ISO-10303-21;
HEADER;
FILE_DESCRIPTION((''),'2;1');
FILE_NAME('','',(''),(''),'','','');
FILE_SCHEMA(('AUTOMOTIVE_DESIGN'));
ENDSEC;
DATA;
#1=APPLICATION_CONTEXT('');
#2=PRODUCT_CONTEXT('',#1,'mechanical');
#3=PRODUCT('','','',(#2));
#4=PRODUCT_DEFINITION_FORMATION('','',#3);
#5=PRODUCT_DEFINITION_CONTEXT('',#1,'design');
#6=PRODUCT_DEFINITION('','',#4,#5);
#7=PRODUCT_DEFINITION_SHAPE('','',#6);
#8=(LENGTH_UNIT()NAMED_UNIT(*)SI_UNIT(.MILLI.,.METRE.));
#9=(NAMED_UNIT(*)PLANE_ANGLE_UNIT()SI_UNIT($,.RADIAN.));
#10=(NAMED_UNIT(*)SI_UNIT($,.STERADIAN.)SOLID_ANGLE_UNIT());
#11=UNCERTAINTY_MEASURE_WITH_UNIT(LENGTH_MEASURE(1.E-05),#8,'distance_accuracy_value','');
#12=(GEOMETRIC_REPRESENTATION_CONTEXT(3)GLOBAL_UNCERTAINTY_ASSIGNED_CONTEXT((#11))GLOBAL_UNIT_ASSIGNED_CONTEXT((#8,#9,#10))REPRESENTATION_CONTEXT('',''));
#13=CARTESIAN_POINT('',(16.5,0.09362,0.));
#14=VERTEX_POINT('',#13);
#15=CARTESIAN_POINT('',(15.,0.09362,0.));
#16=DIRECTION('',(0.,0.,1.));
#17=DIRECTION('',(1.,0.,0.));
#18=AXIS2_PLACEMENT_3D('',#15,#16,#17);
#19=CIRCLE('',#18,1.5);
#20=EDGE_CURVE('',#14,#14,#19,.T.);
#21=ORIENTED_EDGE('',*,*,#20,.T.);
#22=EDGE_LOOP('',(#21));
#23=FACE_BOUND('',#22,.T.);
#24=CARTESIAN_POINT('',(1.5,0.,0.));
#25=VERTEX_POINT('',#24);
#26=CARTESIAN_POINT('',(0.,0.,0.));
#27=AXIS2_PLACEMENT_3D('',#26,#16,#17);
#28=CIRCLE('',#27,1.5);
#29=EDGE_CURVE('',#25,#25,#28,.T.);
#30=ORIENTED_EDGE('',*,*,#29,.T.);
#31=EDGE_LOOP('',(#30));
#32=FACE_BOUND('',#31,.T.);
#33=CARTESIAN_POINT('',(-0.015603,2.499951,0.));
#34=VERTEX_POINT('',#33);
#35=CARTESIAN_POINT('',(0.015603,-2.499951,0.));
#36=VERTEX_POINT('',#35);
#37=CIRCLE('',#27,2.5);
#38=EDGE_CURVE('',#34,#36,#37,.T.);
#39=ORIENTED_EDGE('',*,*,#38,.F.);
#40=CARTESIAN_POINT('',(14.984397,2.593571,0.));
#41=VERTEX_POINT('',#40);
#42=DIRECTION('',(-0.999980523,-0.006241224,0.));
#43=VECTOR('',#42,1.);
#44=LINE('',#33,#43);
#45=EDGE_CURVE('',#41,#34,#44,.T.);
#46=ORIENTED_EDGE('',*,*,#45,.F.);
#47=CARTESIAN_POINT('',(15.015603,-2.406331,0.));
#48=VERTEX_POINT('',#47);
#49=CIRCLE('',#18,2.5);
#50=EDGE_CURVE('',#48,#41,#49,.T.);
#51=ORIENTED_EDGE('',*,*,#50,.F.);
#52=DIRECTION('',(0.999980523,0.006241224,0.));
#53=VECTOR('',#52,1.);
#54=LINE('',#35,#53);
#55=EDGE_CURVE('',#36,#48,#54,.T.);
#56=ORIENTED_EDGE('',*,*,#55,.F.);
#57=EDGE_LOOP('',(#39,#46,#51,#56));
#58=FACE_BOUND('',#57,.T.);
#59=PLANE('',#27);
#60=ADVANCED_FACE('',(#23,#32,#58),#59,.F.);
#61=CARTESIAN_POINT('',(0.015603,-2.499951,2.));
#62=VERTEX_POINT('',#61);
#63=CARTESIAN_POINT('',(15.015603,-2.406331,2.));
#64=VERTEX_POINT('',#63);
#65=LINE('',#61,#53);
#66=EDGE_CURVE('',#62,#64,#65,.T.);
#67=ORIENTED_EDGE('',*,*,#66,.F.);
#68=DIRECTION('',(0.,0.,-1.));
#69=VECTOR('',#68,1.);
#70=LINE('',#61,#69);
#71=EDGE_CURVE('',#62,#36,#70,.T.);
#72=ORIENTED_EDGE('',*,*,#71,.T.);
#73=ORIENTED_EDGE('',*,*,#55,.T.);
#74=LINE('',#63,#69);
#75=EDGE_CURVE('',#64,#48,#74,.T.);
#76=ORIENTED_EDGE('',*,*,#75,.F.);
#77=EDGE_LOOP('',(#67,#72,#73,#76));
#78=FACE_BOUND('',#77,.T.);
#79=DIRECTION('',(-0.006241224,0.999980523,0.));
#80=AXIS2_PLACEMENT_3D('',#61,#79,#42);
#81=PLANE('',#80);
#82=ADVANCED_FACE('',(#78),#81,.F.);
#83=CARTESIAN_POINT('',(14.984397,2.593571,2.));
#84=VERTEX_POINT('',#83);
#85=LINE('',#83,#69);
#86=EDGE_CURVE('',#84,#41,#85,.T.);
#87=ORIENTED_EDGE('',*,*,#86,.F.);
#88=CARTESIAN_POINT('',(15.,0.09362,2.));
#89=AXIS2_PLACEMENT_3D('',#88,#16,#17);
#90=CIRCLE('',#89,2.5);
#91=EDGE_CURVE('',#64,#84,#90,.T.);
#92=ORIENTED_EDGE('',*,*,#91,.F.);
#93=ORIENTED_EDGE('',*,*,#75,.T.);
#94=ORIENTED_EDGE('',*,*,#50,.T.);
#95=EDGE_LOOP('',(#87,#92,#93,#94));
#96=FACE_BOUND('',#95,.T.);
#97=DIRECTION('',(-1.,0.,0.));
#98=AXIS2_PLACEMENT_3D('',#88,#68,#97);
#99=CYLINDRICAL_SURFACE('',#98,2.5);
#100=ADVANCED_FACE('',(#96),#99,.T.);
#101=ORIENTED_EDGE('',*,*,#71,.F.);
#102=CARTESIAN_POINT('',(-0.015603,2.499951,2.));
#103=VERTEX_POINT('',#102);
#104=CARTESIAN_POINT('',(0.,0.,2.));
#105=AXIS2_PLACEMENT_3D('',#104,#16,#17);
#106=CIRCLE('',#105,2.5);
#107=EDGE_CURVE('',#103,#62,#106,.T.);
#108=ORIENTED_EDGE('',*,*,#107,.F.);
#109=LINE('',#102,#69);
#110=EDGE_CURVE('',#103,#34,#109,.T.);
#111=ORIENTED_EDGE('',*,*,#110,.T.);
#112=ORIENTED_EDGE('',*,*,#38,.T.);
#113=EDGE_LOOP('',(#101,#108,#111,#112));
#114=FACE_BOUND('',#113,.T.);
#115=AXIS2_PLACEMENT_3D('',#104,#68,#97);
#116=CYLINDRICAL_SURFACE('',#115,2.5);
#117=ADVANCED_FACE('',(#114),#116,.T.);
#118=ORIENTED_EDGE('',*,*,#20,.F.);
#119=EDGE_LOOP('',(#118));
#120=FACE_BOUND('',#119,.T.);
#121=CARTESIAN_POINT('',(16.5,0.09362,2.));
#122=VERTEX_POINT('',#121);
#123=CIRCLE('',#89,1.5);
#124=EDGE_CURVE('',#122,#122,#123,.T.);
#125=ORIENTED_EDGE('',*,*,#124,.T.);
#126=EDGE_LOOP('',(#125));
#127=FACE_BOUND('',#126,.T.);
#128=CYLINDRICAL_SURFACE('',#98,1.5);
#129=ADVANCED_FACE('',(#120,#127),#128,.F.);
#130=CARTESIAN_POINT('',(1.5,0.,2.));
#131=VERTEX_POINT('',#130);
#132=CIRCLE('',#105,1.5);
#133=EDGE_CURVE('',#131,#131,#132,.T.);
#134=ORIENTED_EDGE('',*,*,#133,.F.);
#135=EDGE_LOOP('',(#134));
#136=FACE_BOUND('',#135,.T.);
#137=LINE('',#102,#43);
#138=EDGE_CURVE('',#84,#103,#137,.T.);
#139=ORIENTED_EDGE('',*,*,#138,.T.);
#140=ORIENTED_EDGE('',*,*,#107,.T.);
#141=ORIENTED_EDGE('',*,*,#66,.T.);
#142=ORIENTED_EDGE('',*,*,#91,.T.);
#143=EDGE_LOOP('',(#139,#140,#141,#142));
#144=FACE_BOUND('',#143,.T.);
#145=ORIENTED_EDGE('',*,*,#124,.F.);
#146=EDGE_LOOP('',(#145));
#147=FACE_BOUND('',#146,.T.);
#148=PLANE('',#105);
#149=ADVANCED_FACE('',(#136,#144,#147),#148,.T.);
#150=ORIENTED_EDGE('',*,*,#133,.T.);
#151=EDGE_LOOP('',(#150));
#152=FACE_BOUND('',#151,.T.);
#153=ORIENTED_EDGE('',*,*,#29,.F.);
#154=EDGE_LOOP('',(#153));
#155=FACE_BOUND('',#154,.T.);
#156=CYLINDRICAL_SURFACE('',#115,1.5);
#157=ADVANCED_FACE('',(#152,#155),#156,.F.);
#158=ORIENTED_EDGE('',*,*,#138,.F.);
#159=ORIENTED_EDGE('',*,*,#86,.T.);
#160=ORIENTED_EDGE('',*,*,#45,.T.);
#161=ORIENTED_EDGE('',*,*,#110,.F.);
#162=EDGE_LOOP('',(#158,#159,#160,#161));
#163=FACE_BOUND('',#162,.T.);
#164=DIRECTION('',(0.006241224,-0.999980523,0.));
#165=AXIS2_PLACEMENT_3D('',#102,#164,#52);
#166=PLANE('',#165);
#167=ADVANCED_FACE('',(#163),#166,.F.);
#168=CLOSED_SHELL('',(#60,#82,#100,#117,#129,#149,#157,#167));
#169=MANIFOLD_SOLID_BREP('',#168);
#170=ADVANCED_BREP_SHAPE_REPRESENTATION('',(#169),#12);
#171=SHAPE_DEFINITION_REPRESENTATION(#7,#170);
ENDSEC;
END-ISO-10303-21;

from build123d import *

# Parameters (mm, degrees)
SKETCH1_R           = 1.5
BOSS_EXTRUDE2_DEPTH = 2


with BuildPart() as part:
    # Sketch1 → Boss-Extrude2 (new body)
    with BuildSketch(Plane.XY):
        with BuildLine():
            Line((-0.015603059, 2.499951308), (14.984396941, 2.593571487))
            ThreePointArc((14.984396941, 2.593571487), (17.499951308, 0.109223238), (15.015603059, -2.406331129))
            Line((15.015603059, -2.406331129), (0.015603059, -2.499951308))
            ThreePointArc((0.015603059, -2.499951308), (-2.499951308, -0.015603059), (-0.015603059, 2.499951308))
        make_face()
        Circle(SKETCH1_R, mode=Mode.SUBTRACT)
        with Locations((15, 0.093620179)):
            Circle(SKETCH1_R, mode=Mode.SUBTRACT)
    extrude(amount=BOSS_EXTRUDE2_DEPTH)


solid = part.part
